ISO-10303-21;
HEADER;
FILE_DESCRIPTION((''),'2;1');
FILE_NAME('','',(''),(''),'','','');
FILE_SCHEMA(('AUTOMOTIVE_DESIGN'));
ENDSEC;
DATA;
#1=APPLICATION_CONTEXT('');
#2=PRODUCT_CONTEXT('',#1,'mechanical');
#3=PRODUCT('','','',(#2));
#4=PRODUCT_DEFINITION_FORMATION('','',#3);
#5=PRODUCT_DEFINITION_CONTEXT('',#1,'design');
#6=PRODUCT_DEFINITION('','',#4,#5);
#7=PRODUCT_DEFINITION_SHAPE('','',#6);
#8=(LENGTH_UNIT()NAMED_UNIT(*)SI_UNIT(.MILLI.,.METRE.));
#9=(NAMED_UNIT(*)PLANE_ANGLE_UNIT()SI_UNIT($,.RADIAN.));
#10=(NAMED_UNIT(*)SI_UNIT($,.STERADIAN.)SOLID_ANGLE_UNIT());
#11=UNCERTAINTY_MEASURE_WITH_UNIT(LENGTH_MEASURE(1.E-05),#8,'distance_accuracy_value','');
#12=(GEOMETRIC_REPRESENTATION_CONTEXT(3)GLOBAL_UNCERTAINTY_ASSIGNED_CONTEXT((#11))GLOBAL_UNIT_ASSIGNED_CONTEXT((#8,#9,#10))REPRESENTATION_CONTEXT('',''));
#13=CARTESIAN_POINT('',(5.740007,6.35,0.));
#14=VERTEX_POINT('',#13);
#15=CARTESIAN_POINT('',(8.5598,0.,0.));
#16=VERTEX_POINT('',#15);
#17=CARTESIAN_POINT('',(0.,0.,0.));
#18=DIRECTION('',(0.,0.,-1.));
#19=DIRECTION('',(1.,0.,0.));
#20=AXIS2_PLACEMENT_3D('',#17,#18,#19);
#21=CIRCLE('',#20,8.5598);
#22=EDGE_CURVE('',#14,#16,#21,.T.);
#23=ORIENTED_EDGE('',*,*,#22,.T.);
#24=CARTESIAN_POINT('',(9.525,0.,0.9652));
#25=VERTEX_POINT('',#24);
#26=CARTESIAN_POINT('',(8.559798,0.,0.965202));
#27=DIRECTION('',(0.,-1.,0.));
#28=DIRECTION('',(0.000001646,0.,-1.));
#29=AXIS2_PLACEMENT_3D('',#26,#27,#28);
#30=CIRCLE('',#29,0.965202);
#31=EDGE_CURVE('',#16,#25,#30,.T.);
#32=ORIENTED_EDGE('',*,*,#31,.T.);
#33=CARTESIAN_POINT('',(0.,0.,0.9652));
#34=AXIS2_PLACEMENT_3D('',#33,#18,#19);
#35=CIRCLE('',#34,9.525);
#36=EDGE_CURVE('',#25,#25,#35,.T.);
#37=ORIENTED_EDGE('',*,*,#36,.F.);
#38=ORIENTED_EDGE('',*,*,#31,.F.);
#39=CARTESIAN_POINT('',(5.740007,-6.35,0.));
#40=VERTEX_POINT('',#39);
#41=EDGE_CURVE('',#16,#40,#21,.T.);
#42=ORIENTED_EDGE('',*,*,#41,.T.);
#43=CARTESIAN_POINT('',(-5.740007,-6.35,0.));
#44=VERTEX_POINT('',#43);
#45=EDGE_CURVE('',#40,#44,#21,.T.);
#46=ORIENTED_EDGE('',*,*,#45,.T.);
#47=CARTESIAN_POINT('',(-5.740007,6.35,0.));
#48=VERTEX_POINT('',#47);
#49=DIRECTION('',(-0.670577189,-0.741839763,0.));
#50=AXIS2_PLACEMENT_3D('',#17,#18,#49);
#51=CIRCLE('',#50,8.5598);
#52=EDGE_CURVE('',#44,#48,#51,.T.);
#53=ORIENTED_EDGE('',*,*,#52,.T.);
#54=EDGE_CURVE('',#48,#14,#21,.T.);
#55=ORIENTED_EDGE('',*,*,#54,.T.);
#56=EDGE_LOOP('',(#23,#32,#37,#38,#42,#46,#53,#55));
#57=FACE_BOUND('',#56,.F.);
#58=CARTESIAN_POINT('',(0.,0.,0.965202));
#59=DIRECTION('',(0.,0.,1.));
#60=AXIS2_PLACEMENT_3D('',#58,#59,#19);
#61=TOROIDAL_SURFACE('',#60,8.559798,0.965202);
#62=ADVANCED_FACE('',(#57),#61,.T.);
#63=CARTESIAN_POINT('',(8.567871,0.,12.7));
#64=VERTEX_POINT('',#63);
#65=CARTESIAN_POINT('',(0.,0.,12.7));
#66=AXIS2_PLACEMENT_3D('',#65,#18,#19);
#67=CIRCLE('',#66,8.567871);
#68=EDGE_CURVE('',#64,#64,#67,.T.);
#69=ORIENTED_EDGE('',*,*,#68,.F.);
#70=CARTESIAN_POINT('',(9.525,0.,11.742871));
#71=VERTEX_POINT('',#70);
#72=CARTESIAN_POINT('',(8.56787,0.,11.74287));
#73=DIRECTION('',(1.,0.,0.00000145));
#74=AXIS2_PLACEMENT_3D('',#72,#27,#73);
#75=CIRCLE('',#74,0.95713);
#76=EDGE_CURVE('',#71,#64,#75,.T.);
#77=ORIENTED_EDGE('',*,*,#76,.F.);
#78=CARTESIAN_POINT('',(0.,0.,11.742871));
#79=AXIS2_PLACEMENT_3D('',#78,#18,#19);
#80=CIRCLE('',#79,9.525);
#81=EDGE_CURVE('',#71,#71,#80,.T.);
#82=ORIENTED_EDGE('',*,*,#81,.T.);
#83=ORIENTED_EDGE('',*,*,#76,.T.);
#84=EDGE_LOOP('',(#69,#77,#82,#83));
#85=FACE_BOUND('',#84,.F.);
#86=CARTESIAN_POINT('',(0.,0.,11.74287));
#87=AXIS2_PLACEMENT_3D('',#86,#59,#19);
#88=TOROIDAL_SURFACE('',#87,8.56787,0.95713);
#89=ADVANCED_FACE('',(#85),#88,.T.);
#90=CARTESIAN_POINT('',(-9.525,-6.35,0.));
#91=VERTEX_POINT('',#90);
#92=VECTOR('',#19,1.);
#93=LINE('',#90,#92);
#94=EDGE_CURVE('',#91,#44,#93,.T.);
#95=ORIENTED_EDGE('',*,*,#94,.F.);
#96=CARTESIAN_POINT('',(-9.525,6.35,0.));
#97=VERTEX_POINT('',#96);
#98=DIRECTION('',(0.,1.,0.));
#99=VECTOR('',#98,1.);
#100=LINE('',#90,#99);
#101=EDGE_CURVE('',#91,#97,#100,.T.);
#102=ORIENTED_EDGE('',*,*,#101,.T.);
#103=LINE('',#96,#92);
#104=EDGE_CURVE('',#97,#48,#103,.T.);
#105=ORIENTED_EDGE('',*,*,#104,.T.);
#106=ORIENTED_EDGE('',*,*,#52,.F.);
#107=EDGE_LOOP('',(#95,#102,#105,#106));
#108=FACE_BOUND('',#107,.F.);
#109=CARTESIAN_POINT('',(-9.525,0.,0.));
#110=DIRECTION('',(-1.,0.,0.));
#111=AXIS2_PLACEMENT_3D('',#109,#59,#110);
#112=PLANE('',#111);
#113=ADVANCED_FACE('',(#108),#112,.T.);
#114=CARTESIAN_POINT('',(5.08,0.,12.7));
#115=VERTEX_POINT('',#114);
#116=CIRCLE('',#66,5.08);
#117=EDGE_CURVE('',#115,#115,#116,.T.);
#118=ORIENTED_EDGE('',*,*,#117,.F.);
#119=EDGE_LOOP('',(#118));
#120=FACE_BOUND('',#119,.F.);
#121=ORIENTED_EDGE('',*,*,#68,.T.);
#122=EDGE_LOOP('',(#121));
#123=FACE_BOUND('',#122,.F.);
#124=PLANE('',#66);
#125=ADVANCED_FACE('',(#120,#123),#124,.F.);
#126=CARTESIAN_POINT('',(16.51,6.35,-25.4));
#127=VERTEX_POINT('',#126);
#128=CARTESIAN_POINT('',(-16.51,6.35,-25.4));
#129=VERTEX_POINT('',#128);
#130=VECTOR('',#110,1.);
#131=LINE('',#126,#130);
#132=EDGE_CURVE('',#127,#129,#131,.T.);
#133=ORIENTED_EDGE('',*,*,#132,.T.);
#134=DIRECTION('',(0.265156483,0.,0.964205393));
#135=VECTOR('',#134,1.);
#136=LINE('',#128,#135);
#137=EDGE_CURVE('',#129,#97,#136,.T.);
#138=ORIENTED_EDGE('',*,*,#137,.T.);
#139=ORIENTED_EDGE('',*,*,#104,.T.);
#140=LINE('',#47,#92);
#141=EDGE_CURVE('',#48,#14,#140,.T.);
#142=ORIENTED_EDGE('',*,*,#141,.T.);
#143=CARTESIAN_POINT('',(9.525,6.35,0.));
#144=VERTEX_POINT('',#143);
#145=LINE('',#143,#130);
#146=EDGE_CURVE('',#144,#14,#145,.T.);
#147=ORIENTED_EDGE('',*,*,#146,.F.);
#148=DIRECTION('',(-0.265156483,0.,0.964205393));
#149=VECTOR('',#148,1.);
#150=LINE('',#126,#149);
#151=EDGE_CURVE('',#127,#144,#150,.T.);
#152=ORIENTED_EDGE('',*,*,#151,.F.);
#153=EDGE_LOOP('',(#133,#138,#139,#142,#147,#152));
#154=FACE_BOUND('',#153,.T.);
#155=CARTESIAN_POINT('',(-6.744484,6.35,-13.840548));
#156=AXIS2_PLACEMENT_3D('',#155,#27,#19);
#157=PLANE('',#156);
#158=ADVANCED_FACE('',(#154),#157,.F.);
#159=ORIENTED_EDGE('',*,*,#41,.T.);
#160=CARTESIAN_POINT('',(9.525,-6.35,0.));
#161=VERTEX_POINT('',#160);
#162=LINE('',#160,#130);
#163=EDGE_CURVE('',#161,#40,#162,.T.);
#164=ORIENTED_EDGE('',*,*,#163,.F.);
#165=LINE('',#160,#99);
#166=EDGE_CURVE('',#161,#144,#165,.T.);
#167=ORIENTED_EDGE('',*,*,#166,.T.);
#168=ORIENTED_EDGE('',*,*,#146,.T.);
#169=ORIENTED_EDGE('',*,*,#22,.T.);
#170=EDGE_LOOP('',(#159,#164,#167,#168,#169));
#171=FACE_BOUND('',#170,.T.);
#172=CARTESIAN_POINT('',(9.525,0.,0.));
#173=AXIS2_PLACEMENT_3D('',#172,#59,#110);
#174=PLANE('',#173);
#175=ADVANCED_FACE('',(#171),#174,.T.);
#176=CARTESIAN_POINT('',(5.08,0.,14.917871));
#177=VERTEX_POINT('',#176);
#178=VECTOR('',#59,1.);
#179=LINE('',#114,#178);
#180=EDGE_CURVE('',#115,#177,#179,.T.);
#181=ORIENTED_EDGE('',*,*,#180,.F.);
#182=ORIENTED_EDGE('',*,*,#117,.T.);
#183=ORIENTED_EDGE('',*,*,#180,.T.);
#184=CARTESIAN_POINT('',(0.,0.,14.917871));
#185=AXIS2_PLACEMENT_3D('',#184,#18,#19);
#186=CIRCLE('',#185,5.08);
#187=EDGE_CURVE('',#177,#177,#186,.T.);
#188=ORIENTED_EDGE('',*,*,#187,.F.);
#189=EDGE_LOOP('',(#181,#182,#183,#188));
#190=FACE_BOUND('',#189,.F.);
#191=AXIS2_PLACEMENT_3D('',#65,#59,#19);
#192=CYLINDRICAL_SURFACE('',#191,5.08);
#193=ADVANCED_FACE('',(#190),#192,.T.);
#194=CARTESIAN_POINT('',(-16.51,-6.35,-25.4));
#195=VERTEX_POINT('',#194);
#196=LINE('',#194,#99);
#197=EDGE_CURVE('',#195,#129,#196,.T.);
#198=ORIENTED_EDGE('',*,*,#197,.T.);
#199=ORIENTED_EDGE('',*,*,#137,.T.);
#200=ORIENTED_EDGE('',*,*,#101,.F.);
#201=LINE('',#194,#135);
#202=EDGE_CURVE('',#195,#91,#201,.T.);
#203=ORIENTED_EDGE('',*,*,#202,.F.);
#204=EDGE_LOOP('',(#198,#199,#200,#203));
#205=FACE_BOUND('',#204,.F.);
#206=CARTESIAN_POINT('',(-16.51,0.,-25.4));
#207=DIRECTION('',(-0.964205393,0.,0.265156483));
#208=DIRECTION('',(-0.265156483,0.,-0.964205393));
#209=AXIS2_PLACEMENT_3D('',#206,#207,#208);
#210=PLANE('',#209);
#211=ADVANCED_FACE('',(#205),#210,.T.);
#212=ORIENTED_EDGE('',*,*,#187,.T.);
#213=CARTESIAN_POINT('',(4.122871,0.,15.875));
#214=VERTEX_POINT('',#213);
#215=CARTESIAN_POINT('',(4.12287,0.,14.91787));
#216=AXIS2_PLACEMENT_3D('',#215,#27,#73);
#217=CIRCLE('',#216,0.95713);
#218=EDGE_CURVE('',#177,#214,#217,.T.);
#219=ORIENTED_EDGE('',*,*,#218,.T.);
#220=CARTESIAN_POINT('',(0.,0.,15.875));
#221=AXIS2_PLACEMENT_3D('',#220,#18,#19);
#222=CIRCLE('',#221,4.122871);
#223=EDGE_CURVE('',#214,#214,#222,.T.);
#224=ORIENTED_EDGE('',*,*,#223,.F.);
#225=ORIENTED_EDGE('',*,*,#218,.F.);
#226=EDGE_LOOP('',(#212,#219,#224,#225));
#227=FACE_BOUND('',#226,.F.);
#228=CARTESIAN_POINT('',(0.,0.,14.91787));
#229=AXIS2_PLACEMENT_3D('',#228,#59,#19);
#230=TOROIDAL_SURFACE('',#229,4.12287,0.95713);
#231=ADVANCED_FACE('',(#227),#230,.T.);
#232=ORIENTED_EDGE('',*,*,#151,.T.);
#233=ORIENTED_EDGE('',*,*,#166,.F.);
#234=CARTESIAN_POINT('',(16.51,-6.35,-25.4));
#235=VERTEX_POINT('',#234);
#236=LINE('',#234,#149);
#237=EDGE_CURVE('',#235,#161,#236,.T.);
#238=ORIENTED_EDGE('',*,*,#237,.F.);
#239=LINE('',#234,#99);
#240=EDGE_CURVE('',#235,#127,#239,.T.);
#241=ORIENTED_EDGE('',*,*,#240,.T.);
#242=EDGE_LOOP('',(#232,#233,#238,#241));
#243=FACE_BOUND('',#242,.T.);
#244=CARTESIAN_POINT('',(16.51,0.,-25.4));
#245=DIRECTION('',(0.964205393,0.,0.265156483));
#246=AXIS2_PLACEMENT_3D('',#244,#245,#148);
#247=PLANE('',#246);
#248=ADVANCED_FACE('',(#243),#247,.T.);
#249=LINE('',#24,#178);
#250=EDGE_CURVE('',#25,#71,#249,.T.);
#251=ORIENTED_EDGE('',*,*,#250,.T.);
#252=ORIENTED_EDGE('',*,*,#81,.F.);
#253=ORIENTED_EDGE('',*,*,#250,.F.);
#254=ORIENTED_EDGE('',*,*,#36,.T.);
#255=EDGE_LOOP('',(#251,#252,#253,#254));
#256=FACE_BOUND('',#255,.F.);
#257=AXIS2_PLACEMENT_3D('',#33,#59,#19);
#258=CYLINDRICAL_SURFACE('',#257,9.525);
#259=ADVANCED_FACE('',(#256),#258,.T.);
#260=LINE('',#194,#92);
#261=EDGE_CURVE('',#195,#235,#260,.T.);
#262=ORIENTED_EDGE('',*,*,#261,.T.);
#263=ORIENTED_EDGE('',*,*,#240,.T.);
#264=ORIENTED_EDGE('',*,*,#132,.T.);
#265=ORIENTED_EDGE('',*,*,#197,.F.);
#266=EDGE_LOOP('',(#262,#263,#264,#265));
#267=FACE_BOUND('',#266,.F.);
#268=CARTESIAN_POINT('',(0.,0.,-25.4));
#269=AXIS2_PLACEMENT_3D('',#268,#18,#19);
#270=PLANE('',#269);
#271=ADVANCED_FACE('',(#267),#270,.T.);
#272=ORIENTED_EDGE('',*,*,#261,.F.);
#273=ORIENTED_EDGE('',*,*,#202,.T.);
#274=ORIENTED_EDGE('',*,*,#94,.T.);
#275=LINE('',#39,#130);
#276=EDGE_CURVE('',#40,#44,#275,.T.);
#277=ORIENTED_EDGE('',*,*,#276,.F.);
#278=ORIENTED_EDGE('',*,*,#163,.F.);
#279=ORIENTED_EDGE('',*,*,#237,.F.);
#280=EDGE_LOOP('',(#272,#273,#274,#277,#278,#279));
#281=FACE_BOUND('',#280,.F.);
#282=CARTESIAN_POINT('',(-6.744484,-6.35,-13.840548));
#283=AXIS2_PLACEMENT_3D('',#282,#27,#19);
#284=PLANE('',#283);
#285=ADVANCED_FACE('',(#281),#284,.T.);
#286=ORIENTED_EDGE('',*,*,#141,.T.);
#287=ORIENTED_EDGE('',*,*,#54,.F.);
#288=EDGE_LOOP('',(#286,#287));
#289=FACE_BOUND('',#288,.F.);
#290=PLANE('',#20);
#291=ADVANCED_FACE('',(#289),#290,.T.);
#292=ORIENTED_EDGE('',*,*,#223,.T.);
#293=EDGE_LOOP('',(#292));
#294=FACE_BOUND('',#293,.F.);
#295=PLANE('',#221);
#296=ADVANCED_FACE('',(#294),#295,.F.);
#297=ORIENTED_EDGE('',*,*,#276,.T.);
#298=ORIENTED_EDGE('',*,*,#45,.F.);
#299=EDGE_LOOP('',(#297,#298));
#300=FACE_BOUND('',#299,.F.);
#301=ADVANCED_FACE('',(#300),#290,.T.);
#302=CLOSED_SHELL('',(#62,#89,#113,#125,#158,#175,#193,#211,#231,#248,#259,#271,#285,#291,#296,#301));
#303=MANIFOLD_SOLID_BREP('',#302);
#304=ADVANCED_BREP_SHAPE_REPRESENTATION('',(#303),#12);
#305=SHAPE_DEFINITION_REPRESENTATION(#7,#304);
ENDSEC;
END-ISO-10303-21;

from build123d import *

# Parameters (mm, degrees)
F3_DEPTH = 6.35


with BuildPart() as f1:
    # F0 (on Front) → F1 (revolve)
    with BuildSketch(Plane.XZ):
        with BuildLine():
            Line((0, 15.875), (0, 0))
            Line((0, 0), (8.5598, 0))
            ThreePointArc((8.5598, 0), (9.242299, 0.282701), (9.525, 0.9652))
            Line((9.525, 0.9652), (9.525, 11.742871))
            ThreePointArc((9.525, 11.742871), (9.244663, 12.419663), (8.567871, 12.7))
            Line((8.567871, 12.7), (5.08, 12.7))
            Line((5.08, 12.7), (5.08, 14.917871))
            ThreePointArc((5.08, 14.917871), (4.799663, 15.594663), (4.122871, 15.875))
            Line((4.122871, 15.875), (0, 15.875))
        make_face()
    revolve(axis=Axis((0, 0, 7.9375), (0, 0, -1)))

    # F2 (on Front) → F3 (join, symmetric)
    with BuildSketch(Plane.XZ):
        Polygon((9.525, 0), (0, 0), (0, -25.4), (16.51, -25.4), align=None)
    extrude(amount=F3_DEPTH, both=True)

    # F4: F1 across plane


with BuildPart() as f1_1:
    add(f1.part)
    add(f1.part.mirror(Plane.YZ))


solid = f1_1.part
